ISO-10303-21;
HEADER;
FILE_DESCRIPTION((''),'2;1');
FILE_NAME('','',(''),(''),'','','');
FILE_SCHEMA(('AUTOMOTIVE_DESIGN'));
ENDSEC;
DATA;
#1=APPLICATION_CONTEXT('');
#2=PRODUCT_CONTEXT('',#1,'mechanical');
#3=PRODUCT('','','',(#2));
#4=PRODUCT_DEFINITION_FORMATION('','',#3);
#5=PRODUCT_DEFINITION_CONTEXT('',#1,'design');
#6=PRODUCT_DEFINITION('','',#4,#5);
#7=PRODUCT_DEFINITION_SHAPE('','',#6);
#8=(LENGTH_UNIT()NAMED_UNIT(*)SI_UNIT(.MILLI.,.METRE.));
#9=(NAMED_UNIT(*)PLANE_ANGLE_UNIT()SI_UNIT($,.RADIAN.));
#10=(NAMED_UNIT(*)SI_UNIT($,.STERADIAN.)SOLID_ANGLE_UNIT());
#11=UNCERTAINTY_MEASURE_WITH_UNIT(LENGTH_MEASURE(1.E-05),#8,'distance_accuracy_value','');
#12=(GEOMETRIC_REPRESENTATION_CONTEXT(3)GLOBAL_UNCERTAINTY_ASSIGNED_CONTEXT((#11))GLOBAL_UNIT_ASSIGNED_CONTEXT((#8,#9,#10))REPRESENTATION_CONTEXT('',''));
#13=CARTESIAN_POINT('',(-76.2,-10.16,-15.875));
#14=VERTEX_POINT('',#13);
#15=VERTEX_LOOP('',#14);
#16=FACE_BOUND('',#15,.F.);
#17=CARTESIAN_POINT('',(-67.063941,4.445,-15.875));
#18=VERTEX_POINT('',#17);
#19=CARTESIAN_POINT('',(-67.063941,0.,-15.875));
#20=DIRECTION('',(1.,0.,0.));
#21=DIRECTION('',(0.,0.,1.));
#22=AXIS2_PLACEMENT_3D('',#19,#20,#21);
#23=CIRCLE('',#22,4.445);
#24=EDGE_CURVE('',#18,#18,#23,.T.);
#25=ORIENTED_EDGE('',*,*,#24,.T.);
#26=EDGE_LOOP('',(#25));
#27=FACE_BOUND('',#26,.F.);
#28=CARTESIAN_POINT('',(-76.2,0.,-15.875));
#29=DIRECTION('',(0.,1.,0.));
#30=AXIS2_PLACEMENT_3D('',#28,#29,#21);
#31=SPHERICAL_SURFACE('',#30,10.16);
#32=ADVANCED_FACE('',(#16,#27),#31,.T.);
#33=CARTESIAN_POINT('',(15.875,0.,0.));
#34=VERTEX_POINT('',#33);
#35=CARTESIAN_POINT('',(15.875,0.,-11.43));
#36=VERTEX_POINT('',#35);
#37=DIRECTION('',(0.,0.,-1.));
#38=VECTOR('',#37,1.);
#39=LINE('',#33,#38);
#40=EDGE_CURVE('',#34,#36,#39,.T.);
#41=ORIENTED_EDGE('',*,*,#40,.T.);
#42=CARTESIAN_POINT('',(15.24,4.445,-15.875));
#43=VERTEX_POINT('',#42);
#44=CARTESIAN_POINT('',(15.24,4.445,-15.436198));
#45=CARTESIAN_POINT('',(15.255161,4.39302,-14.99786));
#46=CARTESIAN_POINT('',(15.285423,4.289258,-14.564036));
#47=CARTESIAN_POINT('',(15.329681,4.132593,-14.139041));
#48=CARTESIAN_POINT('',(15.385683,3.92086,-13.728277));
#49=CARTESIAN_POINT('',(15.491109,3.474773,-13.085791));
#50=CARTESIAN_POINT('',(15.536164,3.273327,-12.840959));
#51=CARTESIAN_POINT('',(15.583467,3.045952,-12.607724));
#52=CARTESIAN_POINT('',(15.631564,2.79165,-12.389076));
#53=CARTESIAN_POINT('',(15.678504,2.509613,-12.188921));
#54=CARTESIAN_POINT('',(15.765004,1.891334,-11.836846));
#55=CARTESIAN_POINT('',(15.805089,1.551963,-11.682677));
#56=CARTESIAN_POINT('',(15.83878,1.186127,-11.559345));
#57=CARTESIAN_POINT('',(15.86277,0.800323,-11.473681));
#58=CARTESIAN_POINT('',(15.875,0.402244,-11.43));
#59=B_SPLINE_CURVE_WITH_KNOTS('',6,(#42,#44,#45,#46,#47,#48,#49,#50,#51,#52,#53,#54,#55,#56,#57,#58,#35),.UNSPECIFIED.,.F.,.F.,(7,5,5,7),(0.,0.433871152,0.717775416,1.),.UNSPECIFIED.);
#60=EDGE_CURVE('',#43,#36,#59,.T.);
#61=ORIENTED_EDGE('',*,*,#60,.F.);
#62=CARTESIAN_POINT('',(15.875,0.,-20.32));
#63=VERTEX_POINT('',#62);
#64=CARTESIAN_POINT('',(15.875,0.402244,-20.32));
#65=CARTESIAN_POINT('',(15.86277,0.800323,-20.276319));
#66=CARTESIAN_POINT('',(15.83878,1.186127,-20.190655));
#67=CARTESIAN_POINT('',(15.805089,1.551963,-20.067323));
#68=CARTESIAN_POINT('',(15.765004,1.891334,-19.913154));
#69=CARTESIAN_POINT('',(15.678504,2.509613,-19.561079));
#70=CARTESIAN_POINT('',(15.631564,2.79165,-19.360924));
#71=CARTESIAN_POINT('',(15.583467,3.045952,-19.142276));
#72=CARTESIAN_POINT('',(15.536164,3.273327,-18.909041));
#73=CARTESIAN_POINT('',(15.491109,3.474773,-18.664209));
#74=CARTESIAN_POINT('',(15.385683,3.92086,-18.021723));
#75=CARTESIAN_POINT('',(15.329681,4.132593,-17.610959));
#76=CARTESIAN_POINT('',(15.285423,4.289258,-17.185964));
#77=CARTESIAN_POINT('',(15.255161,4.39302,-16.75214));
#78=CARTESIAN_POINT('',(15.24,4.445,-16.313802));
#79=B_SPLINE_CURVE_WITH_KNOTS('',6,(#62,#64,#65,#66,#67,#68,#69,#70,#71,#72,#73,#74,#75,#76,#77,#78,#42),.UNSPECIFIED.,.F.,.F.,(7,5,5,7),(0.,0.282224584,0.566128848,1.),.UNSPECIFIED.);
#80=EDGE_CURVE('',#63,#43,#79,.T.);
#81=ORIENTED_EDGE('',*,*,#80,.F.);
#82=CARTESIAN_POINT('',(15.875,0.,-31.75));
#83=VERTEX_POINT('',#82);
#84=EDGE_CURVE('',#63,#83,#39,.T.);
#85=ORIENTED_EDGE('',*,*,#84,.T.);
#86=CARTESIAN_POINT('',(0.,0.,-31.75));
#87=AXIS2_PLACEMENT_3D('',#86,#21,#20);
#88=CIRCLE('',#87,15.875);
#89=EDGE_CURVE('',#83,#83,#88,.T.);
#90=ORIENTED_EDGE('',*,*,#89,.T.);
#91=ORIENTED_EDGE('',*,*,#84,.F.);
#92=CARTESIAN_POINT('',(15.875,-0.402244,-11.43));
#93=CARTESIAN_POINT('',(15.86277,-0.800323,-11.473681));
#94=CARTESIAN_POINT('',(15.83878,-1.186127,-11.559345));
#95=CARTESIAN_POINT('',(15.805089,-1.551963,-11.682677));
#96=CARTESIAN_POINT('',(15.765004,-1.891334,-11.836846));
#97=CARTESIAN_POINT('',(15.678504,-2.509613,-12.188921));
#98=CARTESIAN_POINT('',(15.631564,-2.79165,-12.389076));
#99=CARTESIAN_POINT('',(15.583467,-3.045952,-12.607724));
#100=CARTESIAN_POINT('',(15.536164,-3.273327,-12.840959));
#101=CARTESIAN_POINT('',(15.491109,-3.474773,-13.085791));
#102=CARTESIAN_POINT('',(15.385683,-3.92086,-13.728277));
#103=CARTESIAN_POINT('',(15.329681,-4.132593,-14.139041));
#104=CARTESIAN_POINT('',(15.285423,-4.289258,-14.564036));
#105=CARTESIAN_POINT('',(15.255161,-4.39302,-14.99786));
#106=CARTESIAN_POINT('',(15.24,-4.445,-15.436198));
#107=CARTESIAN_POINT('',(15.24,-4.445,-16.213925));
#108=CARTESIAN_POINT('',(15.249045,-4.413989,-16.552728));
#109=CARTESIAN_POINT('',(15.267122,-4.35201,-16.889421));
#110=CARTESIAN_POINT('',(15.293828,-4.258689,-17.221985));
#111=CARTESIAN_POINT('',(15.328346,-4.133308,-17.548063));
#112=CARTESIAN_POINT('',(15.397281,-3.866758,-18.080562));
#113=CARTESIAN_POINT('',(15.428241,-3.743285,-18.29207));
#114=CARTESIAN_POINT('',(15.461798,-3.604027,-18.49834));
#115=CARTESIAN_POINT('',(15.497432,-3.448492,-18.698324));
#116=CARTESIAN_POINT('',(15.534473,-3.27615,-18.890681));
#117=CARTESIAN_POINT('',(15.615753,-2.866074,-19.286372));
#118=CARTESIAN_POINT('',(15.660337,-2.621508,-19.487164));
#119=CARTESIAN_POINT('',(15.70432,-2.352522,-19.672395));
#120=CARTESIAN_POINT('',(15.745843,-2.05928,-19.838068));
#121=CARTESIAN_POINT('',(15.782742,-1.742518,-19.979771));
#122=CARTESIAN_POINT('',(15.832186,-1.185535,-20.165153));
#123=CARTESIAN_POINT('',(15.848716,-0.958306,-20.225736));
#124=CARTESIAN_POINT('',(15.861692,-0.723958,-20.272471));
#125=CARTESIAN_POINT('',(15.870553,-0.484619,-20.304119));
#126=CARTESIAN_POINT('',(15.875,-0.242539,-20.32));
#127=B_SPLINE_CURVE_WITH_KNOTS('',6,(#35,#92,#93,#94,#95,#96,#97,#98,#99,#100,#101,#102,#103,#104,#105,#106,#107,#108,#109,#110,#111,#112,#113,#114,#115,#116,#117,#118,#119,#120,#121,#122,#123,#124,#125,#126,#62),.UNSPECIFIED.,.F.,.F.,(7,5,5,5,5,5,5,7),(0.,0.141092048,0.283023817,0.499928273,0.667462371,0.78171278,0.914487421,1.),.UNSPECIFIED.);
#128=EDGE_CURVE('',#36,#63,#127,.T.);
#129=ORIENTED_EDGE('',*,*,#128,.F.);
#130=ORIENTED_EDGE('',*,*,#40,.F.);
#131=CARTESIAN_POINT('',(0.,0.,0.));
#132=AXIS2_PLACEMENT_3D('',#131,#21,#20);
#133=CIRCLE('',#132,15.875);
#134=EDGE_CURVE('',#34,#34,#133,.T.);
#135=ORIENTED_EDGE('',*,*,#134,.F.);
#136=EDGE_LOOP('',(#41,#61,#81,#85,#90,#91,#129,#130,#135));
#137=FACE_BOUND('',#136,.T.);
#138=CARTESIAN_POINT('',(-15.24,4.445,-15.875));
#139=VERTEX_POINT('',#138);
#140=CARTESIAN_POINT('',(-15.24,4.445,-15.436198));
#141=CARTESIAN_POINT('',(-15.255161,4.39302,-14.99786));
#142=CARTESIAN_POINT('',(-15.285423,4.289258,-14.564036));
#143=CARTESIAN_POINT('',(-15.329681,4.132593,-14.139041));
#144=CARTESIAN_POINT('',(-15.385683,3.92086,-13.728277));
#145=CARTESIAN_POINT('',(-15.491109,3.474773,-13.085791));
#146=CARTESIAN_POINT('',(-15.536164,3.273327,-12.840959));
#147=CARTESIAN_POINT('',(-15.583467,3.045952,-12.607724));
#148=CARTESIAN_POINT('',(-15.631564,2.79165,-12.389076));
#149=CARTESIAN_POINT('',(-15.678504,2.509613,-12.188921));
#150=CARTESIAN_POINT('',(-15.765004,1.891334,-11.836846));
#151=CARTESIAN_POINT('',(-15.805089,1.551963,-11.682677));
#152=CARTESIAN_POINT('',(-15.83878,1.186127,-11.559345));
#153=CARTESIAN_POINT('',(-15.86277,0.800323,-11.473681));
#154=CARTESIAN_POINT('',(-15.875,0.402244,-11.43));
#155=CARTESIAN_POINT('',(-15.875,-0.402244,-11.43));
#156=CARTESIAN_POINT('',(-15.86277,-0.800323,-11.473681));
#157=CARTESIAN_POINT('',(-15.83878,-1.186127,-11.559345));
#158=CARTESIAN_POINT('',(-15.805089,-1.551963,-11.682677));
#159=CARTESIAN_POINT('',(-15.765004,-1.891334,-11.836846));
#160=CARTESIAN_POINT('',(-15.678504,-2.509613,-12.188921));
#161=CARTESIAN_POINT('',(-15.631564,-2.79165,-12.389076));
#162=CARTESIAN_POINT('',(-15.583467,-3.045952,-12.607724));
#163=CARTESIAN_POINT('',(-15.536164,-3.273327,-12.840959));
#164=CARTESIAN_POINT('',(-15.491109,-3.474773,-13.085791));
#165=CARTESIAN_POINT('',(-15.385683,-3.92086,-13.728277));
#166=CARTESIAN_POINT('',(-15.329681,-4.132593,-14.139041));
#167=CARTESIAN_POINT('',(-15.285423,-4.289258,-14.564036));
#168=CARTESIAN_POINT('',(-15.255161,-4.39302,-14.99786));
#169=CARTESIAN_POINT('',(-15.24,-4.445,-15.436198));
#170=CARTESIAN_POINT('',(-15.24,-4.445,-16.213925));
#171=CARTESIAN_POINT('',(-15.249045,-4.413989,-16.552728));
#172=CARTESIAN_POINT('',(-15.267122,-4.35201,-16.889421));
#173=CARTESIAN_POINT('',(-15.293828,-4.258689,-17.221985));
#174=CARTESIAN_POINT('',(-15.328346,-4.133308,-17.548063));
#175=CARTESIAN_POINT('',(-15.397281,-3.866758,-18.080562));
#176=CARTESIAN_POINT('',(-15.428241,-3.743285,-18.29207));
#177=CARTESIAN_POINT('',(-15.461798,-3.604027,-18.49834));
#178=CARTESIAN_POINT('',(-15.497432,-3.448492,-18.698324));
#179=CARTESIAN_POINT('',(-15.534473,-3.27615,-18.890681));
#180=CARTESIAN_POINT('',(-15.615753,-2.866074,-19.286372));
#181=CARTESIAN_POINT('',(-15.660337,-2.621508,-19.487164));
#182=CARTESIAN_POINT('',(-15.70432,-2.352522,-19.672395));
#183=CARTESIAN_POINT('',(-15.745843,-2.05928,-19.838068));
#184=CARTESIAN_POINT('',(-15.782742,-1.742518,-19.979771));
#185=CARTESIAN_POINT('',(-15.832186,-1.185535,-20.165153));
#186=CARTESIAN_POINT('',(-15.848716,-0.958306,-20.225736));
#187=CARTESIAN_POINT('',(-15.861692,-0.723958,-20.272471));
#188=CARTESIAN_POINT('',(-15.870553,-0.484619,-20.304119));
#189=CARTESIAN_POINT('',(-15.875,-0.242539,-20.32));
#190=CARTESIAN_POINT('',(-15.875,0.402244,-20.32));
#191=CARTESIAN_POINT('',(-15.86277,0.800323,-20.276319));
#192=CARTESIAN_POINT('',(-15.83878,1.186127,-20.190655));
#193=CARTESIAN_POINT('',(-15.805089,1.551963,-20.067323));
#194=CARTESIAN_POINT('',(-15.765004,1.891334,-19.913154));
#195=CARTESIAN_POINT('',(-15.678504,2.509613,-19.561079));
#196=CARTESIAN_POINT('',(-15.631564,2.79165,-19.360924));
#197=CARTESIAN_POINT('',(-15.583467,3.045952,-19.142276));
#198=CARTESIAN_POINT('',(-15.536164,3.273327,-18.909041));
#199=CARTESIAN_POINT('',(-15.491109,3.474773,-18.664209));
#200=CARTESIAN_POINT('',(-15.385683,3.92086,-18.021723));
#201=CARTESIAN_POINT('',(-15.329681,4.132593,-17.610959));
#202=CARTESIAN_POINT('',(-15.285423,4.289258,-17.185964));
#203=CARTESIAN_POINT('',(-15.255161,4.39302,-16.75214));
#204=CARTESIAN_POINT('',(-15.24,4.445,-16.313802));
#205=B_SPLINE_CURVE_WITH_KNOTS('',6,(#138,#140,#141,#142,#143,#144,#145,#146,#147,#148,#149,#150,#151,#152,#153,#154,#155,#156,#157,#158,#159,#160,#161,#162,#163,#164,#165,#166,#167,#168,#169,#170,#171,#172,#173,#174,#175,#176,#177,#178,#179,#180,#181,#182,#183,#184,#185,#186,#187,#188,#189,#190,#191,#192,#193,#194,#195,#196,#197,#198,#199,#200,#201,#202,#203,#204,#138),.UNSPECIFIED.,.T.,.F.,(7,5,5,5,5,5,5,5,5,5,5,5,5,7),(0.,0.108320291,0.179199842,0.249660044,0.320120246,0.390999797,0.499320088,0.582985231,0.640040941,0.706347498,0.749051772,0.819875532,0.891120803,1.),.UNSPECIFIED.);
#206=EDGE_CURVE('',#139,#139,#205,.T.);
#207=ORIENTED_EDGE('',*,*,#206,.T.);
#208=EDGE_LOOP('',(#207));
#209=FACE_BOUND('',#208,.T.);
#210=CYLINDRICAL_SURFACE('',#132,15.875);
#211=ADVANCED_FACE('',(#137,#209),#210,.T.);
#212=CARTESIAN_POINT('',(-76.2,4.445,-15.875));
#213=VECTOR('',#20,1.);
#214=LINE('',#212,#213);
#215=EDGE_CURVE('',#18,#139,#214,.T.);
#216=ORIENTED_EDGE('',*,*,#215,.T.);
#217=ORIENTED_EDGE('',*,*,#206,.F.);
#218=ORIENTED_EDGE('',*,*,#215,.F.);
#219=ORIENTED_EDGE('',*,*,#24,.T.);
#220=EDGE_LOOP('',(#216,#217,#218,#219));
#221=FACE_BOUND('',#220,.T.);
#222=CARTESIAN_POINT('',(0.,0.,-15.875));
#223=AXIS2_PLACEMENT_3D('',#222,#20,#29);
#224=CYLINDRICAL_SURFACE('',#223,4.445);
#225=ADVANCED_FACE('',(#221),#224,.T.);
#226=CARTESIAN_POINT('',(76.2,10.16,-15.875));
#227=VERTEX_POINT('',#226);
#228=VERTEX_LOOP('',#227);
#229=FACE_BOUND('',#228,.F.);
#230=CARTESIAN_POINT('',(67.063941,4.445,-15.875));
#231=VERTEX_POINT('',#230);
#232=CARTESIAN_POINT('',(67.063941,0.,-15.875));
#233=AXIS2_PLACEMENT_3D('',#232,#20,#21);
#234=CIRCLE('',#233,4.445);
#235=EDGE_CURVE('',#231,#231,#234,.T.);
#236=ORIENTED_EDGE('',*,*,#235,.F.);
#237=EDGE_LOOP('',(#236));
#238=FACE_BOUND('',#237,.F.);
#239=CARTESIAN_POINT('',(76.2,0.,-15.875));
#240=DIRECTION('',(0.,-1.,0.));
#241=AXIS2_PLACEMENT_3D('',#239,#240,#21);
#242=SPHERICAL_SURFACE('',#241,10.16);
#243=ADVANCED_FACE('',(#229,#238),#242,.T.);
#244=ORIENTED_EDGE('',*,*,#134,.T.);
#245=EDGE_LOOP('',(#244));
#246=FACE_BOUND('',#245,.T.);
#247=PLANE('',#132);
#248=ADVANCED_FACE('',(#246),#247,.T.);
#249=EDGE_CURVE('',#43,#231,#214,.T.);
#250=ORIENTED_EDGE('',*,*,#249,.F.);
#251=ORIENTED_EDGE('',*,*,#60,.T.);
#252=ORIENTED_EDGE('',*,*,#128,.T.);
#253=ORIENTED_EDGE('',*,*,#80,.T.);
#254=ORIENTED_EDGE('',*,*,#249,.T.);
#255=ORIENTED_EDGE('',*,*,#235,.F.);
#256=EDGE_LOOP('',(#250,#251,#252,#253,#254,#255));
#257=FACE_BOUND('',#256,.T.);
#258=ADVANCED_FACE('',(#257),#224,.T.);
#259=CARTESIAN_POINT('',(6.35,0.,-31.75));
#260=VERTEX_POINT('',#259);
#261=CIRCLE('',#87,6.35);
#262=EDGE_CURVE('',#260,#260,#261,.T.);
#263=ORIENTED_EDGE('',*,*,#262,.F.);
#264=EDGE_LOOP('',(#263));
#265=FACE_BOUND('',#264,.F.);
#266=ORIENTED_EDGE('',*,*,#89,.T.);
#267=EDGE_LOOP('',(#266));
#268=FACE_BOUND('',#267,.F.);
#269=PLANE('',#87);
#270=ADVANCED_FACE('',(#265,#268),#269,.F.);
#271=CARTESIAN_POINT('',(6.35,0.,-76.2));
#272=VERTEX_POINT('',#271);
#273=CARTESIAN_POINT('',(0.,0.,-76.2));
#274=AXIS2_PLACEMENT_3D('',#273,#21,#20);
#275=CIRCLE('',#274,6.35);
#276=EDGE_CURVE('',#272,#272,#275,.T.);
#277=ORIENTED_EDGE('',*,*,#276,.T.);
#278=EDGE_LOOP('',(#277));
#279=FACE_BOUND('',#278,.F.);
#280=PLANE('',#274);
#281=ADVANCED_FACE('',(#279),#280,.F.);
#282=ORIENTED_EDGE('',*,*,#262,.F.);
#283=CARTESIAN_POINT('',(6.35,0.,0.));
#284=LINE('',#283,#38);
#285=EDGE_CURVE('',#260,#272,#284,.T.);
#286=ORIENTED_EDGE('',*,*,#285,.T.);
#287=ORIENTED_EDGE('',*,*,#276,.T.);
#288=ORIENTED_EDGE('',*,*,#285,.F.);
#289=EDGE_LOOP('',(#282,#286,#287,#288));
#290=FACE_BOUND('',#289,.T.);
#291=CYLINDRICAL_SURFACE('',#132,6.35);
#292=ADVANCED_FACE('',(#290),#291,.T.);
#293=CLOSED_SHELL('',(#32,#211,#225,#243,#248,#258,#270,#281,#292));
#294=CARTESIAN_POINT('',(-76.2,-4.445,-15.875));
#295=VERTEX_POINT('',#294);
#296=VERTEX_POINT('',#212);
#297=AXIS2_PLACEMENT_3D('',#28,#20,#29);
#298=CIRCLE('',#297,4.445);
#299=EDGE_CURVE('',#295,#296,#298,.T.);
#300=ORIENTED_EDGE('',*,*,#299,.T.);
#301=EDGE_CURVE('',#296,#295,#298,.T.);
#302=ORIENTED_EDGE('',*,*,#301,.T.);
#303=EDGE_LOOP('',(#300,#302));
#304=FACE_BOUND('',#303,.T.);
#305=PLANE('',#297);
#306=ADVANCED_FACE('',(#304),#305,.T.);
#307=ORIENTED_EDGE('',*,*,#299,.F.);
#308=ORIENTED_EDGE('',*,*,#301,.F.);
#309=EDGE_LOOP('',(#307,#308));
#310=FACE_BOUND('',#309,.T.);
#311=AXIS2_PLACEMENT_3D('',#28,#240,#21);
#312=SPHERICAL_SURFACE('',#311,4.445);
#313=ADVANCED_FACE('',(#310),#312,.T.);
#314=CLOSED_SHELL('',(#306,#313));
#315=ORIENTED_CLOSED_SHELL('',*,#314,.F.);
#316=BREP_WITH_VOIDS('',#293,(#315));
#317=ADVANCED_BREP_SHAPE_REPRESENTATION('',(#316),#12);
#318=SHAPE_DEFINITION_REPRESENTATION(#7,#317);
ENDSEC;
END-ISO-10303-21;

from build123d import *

# Parameters (mm, degrees)
F0_R     = 15.875
F0_R_2   = 6.35
F1_DEPTH = 31.75
F2_DEPTH = 76.2
F3_R     = 4.445
F4_DEPTH = 76.2


with BuildPart() as f1:
    # F0 (on Top) → F1 (new body)
    with BuildSketch(Plane.XY):
        Circle(F0_R)
        Circle(F0_R_2, mode=Mode.SUBTRACT)
        Circle(F0_R_2)
    extrude(amount=-F1_DEPTH)

    # F0 (on Top) → F2 (join)
    with BuildSketch(Plane.XY):
        Circle(F0_R_2)
    extrude(amount=-F2_DEPTH)

    # F3 (on Right) → F4 (join, symmetric)
    with BuildSketch(Plane.YZ):
        with Locations((0, -15.875)):
            Circle(F3_R)
    extrude(amount=F4_DEPTH, both=True)

    # F5 (on face) → F6 (revolve)
    with BuildSketch(Plane.YZ.offset(76.2)):
        with BuildLine():
            Line((-10.16, -15.875), (10.16, -15.875))
            ThreePointArc((10.16, -15.875), (0, -5.715), (-10.16, -15.875))
        make_face()
    revolve(axis=Axis((76.2, 10.16, -15.875), (0, 1, 0)))

    # F7 (on face) → F8 (revolve)
    with BuildSketch(Plane(origin=(-76.2, 0, 0), x_dir=(0, -1, 0), z_dir=(-1, 0, 0))):
        with BuildLine():
            Line((4.445, -15.875), (10.16, -15.875))
            ThreePointArc((10.16, -15.875), (0, -5.715), (-10.16, -15.875))
            Line((-10.16, -15.875), (-4.445, -15.875))
            ThreePointArc((-4.445, -15.875), (0, -11.43), (4.445, -15.875))
        make_face()
    revolve(axis=Axis((-76.2, -10.16, -15.875), (0, -1, 0)))


solid = f1.part
